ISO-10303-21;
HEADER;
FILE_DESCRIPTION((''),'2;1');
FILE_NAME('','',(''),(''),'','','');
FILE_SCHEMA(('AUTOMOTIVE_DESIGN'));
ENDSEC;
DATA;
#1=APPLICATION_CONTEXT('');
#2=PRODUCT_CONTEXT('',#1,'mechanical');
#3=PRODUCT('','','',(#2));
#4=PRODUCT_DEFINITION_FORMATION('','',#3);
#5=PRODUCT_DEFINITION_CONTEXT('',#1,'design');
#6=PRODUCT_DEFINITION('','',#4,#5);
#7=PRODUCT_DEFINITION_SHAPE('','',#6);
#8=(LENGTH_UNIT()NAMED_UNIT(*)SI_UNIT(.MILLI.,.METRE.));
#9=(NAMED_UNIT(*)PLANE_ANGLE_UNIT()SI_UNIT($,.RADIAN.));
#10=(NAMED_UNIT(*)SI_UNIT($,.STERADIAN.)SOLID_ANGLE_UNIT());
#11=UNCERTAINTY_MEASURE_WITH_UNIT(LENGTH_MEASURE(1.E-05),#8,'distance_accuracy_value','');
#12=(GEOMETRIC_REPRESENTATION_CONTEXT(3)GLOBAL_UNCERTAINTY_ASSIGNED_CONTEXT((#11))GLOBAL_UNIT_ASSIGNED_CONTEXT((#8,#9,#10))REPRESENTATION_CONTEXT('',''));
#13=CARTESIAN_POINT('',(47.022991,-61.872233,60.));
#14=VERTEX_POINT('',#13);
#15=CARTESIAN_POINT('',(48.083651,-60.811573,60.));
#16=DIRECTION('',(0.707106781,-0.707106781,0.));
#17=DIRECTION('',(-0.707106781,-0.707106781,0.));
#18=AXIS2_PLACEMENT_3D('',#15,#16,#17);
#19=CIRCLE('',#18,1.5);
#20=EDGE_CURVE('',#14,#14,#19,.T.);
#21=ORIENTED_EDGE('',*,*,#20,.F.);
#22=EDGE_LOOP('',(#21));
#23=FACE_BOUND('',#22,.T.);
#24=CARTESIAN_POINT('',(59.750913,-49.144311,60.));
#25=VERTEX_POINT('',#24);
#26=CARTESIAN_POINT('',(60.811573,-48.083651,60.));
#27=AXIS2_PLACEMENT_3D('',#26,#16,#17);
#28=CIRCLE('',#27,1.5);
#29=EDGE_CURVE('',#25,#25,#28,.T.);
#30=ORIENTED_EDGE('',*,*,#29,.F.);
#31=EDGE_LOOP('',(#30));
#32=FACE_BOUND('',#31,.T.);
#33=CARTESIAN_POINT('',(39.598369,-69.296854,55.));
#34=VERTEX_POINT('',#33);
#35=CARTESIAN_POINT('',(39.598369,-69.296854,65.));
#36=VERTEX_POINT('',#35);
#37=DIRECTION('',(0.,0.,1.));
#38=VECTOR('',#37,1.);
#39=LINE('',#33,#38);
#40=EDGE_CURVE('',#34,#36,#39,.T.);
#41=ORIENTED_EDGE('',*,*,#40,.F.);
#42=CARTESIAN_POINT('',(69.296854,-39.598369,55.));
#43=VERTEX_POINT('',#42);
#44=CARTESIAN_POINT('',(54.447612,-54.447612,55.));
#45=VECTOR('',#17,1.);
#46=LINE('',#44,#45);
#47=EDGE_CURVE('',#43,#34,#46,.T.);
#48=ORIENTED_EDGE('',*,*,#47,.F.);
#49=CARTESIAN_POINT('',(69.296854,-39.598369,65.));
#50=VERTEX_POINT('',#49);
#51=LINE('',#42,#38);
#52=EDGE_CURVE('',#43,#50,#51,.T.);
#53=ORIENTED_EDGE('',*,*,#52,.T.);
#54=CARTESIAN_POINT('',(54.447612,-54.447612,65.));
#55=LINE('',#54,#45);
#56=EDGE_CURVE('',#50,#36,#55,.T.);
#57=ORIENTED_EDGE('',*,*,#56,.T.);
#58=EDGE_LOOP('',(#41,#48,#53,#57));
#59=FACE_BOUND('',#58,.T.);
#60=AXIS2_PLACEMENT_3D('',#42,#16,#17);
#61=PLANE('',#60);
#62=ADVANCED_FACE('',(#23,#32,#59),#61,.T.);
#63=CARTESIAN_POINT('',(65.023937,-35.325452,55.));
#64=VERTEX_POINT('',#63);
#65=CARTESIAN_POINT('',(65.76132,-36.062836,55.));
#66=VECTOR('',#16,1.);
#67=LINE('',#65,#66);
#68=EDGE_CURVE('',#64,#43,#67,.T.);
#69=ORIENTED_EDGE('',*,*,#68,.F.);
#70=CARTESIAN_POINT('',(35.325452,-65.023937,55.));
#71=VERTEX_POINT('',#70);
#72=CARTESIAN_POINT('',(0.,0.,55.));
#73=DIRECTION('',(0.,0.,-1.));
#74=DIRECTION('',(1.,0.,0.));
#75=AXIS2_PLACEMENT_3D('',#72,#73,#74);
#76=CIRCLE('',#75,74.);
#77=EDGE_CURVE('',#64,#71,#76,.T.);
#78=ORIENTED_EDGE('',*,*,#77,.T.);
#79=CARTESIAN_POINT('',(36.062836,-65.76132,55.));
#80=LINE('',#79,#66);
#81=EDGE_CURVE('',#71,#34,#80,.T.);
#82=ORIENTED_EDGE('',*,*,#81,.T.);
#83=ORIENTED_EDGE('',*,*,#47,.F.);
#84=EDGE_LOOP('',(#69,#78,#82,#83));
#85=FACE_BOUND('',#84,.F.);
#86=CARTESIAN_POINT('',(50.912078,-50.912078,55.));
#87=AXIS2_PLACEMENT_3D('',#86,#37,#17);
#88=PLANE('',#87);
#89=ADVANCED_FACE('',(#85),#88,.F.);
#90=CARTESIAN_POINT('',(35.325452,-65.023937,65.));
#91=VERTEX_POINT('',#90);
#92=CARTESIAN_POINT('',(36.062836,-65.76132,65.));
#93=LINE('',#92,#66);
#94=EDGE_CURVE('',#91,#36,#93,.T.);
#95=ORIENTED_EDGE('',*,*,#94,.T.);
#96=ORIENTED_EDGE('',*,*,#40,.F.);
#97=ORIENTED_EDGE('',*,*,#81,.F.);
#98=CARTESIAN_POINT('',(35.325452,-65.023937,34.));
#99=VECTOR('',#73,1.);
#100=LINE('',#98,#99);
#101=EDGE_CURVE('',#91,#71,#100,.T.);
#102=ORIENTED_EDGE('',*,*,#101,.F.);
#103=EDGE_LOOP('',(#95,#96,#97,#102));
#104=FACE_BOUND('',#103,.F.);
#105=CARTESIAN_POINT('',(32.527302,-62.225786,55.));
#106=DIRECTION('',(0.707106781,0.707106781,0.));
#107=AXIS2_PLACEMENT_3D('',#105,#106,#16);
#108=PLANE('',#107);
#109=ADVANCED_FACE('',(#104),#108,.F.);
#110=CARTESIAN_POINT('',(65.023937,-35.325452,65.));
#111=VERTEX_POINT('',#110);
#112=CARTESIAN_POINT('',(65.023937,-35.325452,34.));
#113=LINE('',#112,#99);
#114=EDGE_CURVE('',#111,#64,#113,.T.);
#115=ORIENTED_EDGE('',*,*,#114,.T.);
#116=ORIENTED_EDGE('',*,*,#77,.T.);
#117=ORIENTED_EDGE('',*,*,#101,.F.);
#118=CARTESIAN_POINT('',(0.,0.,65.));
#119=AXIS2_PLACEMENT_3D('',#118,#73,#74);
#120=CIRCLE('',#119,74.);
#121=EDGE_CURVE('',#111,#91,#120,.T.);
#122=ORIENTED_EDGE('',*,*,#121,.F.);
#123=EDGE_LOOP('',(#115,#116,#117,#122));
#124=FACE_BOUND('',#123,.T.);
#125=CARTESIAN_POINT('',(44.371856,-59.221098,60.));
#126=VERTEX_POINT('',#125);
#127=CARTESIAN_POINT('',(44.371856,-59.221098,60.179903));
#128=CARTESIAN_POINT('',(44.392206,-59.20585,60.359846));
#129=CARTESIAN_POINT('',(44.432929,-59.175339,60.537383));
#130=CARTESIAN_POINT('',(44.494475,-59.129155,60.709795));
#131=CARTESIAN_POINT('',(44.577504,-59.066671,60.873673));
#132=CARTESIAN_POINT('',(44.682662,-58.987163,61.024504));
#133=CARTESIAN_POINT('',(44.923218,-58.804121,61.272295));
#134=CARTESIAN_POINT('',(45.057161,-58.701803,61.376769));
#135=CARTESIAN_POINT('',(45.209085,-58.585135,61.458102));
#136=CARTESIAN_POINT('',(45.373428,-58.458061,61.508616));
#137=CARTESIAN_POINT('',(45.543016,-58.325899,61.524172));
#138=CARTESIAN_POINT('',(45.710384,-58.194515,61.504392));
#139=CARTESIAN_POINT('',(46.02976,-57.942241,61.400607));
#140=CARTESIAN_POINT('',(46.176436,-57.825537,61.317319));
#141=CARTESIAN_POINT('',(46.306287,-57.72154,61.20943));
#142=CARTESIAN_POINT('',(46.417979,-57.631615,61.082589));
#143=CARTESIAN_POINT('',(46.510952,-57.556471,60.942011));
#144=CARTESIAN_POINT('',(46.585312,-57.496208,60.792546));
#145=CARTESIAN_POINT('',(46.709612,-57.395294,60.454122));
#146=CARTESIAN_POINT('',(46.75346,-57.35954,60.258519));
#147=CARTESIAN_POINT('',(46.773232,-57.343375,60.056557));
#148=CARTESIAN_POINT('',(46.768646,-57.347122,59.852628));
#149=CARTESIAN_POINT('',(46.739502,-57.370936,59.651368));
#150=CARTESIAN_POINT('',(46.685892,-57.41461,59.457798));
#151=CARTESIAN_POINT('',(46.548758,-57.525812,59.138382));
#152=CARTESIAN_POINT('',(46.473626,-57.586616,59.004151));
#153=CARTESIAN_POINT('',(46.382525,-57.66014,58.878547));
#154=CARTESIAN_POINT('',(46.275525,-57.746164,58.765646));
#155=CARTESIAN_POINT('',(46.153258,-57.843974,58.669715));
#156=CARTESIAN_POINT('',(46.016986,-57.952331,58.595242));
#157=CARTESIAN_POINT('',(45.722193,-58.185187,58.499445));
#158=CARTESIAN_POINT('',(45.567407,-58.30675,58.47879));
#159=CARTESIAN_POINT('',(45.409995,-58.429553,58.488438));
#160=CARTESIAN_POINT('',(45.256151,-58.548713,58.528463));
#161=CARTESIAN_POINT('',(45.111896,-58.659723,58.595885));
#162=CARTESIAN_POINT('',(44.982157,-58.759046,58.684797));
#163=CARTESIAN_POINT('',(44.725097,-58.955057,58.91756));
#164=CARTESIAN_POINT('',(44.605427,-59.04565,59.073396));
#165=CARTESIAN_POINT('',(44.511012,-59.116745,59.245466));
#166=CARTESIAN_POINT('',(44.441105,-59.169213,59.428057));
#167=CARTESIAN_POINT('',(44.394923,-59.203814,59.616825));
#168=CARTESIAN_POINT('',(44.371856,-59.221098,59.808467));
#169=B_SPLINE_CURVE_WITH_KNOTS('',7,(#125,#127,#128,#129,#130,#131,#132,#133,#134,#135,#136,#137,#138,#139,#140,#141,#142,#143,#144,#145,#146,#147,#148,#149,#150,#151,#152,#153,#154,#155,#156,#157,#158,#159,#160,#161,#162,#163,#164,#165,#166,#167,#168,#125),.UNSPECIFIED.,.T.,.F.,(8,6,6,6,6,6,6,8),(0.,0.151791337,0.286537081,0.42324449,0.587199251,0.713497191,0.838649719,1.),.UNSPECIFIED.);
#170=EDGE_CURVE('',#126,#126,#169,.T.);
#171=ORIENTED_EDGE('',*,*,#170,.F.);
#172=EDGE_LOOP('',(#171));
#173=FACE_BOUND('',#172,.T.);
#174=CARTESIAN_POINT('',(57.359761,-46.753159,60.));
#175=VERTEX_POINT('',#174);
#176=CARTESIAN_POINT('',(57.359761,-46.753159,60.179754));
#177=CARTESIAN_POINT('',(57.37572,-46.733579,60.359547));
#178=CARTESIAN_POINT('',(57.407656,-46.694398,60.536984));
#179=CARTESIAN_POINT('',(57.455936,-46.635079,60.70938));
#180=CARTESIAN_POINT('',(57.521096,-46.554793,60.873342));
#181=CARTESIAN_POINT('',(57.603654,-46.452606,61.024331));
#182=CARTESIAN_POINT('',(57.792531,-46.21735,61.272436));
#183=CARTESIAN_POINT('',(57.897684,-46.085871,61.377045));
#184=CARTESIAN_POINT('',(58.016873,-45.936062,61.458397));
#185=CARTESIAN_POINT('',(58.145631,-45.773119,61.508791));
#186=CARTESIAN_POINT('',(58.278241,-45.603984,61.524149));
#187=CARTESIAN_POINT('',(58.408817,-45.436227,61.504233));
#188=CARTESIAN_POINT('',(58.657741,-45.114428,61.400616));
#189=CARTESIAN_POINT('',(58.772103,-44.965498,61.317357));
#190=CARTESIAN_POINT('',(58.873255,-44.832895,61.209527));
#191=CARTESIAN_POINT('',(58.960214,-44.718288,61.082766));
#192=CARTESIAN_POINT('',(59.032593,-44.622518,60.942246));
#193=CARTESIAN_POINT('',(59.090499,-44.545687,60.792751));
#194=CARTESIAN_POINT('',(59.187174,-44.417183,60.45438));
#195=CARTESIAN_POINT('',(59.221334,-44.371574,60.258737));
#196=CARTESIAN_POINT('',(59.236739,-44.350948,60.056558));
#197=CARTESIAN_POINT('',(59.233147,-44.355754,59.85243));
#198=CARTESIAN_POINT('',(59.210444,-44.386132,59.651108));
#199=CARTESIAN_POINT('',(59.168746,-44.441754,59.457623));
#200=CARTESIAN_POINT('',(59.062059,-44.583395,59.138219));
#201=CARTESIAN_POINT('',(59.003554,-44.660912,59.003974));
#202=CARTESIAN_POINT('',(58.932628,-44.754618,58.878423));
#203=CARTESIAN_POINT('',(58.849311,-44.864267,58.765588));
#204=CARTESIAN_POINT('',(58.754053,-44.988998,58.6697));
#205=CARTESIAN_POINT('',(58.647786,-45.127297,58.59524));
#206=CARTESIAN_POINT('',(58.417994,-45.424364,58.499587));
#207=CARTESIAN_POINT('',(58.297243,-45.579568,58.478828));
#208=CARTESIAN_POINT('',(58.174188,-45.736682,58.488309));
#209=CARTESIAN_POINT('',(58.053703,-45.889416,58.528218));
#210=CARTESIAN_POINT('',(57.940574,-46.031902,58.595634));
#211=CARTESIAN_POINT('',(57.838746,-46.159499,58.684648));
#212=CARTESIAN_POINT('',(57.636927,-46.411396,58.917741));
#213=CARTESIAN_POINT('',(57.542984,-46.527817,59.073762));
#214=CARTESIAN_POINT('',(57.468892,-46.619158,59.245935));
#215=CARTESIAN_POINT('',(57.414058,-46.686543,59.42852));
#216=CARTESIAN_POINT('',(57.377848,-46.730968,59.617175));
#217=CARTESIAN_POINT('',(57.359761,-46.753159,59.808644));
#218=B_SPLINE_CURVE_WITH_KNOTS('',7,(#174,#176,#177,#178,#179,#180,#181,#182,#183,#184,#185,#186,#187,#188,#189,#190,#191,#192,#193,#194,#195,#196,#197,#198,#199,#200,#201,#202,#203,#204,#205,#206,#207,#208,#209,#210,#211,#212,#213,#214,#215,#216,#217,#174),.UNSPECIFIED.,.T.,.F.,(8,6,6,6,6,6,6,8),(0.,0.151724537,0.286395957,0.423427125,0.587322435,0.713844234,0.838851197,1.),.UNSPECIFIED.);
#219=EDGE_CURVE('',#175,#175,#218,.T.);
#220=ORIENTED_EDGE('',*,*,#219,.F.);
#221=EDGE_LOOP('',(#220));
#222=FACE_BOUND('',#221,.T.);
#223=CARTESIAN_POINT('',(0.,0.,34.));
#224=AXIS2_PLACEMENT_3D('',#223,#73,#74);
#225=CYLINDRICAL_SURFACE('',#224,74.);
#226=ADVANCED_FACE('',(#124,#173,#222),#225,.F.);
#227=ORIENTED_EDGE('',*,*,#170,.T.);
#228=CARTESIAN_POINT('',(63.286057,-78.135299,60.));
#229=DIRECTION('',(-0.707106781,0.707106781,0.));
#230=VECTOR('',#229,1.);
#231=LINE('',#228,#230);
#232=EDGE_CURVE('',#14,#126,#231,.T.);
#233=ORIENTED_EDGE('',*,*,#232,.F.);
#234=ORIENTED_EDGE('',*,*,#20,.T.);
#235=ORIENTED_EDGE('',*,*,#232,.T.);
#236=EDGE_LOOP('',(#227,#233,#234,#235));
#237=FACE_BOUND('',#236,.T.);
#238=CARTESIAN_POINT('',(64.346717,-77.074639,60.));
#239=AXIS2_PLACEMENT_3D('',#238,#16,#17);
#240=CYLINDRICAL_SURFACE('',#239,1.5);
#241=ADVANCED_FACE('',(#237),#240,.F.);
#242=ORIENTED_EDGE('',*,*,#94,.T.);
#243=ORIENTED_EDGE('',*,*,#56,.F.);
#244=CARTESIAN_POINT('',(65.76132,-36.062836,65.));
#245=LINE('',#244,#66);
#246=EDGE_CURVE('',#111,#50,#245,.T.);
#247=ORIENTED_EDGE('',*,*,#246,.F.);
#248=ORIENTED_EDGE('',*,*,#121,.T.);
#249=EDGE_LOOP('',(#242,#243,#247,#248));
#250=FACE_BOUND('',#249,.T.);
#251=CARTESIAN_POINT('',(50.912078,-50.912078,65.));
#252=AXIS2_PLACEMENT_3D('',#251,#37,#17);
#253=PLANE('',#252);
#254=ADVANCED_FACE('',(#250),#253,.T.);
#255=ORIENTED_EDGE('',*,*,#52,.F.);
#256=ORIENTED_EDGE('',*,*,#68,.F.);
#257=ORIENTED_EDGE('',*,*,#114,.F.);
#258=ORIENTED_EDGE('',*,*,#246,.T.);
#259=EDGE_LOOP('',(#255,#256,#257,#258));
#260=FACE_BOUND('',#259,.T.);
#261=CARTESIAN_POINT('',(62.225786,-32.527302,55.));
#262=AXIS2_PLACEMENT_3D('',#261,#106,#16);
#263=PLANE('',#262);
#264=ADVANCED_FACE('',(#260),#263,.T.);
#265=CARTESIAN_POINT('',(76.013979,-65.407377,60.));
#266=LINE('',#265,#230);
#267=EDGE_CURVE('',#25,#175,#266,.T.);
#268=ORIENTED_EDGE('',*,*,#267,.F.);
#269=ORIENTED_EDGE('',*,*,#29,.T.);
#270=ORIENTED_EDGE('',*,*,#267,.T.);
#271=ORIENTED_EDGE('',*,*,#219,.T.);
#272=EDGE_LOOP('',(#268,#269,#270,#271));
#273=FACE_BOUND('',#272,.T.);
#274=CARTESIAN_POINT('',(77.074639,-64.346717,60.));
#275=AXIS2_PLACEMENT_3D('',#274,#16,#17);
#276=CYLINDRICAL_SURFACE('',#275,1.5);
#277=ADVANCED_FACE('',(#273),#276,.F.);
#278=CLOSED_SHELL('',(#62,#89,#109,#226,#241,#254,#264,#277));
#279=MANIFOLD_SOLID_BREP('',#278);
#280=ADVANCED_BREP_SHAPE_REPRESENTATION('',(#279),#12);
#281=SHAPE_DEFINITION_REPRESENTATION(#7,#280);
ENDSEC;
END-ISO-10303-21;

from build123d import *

# Parameters (mm, degrees)
CYLINDER1996_R               = 1.5
CYLINDER1996_DEPTH           = 50
COMPOUND1077_PLACEMENT_ANGLE = 225
CYLINDER1997_R               = 1.5
CYLINDER1997_DEPTH           = 50
COMPOUND1078_PLACEMENT_ANGLE = 225
CYLINDER1995_R               = 74
CYLINDER1995_DEPTH           = 40
BOX987_W                     = 42
BOX987_H                     = 10
BOX987_DEPTH                 = 10
COMPOUND1076_PLACEMENT_ANGLE = 225


with BuildPart() as compound1077:
    # Cylinder1996 → Cylinder1996 (new body)
    with BuildSketch(Plane(origin=(9, 100, 59), x_dir=(1, 0, 0), z_dir=(0, -1, 0))):
        Circle(CYLINDER1996_R)
    extrude(amount=CYLINDER1996_DEPTH)


with BuildPart() as compound1077_1:
    # Compound1077 placement: moved
    add(compound1077.part.rotate(Axis((0, 0, 0), (0, 0, 1)), COMPOUND1077_PLACEMENT_ANGLE))


with BuildPart() as compound1079:
    # Cylinder1997 → Cylinder1997 (new body)
    with BuildSketch(Plane(origin=(-9, 100, 59), x_dir=(1, 0, 0), z_dir=(0, -1, 0))):
        Circle(CYLINDER1997_R)
    extrude(amount=CYLINDER1997_DEPTH)


with BuildPart() as compound1079_1:
    # Compound1078 placement: moved
    add(compound1079.part.rotate(Axis((0, 0, 0), (0, 0, 1)), COMPOUND1078_PLACEMENT_ANGLE))

    # Compound1079: union Compound1077
    add(compound1077_1.part)


with BuildPart() as compound1079_2:
    # Compound1079 placement: moved
    add(compound1079_1.part.moved(Location((0, 0, 1))))


with BuildPart() as v_lec1995:
    # Cylinder1995 → Cylinder1995 (new body)
    with BuildSketch(Plane.XY.offset(44)):
        Circle(CYLINDER1995_R)
    extrude(amount=CYLINDER1995_DEPTH)


with BuildPart() as cut673:
    # Box987 → Box987 (new body)
    with BuildSketch(Plane(origin=(-21, -23, 22), x_dir=(1, 0, 0), z_dir=(0, 0, 1))):
        with Locations((21, 5)):
            Rectangle(BOX987_W, BOX987_H)
    extrude(amount=BOX987_DEPTH)


with BuildPart() as cut673_1:
    # Compound1076 placement: moved
    add(cut673.part.moved(Location((63.64, -63.64, 43))).rotate(Axis((63.64, -63.64, 43), (0, 0, 1)), COMPOUND1076_PLACEMENT_ANGLE))

    # Cut672: cut Válec1995
    add(v_lec1995.part, mode=Mode.SUBTRACT)


with BuildPart() as cut673_2:
    # Cut672 placement: moved
    add(cut673_1.part.moved(Location((0, 0, -10))))

    # Cut673: cut Compound1079
    add(compound1079_2.part, mode=Mode.SUBTRACT)


solid = cut673_2.part
